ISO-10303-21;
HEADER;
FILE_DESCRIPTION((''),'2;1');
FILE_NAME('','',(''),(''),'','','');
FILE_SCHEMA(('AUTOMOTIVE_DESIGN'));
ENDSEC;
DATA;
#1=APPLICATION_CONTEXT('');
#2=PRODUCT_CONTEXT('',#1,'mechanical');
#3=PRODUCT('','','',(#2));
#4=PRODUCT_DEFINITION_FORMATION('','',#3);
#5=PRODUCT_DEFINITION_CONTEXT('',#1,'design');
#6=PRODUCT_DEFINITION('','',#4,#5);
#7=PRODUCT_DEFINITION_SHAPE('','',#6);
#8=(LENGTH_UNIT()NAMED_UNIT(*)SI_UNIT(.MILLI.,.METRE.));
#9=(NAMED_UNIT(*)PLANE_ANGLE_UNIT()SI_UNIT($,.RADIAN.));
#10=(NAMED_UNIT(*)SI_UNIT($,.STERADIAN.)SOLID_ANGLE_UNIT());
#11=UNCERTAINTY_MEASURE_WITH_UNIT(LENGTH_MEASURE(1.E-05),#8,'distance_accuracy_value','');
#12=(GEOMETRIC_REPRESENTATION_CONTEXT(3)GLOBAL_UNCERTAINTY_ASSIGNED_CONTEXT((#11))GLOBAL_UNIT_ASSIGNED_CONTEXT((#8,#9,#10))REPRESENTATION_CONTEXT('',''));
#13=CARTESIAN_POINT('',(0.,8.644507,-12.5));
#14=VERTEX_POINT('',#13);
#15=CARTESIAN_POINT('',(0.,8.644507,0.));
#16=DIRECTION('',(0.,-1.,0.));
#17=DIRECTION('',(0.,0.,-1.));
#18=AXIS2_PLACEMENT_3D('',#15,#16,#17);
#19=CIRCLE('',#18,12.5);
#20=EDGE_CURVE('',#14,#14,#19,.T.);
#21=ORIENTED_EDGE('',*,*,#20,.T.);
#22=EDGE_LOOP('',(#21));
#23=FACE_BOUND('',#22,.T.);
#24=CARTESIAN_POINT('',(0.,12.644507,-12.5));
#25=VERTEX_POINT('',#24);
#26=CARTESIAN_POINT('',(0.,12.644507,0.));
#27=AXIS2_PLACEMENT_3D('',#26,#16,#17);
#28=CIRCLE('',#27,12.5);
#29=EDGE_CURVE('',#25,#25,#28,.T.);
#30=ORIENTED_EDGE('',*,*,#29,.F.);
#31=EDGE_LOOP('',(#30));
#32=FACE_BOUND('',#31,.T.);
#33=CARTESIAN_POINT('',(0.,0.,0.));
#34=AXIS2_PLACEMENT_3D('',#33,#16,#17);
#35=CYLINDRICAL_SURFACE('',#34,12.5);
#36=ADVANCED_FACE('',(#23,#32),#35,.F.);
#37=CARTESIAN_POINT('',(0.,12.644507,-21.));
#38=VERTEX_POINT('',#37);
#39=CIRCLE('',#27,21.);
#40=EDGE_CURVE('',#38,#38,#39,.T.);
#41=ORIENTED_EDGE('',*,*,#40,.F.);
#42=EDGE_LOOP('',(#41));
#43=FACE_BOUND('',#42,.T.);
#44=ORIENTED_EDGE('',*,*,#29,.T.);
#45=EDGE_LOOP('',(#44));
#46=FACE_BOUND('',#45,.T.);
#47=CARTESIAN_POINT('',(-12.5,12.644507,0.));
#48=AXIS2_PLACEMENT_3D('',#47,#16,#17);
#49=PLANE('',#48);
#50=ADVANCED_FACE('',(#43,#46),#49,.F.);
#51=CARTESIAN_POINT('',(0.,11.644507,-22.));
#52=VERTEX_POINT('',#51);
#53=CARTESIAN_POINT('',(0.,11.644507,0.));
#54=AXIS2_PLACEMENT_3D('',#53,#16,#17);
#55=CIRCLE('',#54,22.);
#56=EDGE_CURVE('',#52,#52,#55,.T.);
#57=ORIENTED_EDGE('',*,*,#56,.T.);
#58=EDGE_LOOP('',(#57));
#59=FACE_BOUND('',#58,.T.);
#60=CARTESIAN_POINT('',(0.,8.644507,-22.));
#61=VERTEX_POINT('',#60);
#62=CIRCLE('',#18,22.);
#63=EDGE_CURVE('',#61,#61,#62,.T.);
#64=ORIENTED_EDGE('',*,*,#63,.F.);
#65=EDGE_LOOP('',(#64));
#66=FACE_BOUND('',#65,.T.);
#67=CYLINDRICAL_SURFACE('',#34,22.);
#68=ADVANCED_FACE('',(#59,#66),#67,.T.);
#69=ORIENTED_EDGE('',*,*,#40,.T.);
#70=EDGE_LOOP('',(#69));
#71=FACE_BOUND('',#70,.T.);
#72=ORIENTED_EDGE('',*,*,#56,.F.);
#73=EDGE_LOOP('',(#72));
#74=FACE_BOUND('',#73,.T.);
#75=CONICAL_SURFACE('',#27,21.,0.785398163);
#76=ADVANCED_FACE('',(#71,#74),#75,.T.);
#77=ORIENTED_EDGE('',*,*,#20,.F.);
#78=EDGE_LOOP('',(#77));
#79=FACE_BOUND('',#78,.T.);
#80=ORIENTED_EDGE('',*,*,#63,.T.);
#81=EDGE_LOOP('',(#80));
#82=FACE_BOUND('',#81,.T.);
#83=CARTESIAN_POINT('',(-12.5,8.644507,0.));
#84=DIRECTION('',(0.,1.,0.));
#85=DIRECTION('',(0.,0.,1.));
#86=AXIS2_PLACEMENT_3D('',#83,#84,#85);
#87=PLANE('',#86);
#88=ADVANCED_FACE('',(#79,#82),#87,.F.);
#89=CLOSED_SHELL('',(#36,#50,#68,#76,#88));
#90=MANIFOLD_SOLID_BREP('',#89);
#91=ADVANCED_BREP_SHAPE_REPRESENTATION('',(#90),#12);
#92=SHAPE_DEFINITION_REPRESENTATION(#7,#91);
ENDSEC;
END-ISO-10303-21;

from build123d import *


with BuildPart() as part:
    # 草图1 → Revolve 484 (revolve)
    with BuildSketch(Plane.XY, mode=Mode.PRIVATE) as revolve_484_sk:
        Polygon((-21, 12.644507042), (-22, 11.644507042), (-22, 8.644507042), (-12.5, 8.644507042), (-12.5, 12.644507042), align=None)
    revolve(revolve_484_sk.sketch.rotate(Axis((0, 0, 0), (0, 1, 0)), 270), axis=Axis((0, 0, 0), (0, 1, 0)))


solid = part.part
